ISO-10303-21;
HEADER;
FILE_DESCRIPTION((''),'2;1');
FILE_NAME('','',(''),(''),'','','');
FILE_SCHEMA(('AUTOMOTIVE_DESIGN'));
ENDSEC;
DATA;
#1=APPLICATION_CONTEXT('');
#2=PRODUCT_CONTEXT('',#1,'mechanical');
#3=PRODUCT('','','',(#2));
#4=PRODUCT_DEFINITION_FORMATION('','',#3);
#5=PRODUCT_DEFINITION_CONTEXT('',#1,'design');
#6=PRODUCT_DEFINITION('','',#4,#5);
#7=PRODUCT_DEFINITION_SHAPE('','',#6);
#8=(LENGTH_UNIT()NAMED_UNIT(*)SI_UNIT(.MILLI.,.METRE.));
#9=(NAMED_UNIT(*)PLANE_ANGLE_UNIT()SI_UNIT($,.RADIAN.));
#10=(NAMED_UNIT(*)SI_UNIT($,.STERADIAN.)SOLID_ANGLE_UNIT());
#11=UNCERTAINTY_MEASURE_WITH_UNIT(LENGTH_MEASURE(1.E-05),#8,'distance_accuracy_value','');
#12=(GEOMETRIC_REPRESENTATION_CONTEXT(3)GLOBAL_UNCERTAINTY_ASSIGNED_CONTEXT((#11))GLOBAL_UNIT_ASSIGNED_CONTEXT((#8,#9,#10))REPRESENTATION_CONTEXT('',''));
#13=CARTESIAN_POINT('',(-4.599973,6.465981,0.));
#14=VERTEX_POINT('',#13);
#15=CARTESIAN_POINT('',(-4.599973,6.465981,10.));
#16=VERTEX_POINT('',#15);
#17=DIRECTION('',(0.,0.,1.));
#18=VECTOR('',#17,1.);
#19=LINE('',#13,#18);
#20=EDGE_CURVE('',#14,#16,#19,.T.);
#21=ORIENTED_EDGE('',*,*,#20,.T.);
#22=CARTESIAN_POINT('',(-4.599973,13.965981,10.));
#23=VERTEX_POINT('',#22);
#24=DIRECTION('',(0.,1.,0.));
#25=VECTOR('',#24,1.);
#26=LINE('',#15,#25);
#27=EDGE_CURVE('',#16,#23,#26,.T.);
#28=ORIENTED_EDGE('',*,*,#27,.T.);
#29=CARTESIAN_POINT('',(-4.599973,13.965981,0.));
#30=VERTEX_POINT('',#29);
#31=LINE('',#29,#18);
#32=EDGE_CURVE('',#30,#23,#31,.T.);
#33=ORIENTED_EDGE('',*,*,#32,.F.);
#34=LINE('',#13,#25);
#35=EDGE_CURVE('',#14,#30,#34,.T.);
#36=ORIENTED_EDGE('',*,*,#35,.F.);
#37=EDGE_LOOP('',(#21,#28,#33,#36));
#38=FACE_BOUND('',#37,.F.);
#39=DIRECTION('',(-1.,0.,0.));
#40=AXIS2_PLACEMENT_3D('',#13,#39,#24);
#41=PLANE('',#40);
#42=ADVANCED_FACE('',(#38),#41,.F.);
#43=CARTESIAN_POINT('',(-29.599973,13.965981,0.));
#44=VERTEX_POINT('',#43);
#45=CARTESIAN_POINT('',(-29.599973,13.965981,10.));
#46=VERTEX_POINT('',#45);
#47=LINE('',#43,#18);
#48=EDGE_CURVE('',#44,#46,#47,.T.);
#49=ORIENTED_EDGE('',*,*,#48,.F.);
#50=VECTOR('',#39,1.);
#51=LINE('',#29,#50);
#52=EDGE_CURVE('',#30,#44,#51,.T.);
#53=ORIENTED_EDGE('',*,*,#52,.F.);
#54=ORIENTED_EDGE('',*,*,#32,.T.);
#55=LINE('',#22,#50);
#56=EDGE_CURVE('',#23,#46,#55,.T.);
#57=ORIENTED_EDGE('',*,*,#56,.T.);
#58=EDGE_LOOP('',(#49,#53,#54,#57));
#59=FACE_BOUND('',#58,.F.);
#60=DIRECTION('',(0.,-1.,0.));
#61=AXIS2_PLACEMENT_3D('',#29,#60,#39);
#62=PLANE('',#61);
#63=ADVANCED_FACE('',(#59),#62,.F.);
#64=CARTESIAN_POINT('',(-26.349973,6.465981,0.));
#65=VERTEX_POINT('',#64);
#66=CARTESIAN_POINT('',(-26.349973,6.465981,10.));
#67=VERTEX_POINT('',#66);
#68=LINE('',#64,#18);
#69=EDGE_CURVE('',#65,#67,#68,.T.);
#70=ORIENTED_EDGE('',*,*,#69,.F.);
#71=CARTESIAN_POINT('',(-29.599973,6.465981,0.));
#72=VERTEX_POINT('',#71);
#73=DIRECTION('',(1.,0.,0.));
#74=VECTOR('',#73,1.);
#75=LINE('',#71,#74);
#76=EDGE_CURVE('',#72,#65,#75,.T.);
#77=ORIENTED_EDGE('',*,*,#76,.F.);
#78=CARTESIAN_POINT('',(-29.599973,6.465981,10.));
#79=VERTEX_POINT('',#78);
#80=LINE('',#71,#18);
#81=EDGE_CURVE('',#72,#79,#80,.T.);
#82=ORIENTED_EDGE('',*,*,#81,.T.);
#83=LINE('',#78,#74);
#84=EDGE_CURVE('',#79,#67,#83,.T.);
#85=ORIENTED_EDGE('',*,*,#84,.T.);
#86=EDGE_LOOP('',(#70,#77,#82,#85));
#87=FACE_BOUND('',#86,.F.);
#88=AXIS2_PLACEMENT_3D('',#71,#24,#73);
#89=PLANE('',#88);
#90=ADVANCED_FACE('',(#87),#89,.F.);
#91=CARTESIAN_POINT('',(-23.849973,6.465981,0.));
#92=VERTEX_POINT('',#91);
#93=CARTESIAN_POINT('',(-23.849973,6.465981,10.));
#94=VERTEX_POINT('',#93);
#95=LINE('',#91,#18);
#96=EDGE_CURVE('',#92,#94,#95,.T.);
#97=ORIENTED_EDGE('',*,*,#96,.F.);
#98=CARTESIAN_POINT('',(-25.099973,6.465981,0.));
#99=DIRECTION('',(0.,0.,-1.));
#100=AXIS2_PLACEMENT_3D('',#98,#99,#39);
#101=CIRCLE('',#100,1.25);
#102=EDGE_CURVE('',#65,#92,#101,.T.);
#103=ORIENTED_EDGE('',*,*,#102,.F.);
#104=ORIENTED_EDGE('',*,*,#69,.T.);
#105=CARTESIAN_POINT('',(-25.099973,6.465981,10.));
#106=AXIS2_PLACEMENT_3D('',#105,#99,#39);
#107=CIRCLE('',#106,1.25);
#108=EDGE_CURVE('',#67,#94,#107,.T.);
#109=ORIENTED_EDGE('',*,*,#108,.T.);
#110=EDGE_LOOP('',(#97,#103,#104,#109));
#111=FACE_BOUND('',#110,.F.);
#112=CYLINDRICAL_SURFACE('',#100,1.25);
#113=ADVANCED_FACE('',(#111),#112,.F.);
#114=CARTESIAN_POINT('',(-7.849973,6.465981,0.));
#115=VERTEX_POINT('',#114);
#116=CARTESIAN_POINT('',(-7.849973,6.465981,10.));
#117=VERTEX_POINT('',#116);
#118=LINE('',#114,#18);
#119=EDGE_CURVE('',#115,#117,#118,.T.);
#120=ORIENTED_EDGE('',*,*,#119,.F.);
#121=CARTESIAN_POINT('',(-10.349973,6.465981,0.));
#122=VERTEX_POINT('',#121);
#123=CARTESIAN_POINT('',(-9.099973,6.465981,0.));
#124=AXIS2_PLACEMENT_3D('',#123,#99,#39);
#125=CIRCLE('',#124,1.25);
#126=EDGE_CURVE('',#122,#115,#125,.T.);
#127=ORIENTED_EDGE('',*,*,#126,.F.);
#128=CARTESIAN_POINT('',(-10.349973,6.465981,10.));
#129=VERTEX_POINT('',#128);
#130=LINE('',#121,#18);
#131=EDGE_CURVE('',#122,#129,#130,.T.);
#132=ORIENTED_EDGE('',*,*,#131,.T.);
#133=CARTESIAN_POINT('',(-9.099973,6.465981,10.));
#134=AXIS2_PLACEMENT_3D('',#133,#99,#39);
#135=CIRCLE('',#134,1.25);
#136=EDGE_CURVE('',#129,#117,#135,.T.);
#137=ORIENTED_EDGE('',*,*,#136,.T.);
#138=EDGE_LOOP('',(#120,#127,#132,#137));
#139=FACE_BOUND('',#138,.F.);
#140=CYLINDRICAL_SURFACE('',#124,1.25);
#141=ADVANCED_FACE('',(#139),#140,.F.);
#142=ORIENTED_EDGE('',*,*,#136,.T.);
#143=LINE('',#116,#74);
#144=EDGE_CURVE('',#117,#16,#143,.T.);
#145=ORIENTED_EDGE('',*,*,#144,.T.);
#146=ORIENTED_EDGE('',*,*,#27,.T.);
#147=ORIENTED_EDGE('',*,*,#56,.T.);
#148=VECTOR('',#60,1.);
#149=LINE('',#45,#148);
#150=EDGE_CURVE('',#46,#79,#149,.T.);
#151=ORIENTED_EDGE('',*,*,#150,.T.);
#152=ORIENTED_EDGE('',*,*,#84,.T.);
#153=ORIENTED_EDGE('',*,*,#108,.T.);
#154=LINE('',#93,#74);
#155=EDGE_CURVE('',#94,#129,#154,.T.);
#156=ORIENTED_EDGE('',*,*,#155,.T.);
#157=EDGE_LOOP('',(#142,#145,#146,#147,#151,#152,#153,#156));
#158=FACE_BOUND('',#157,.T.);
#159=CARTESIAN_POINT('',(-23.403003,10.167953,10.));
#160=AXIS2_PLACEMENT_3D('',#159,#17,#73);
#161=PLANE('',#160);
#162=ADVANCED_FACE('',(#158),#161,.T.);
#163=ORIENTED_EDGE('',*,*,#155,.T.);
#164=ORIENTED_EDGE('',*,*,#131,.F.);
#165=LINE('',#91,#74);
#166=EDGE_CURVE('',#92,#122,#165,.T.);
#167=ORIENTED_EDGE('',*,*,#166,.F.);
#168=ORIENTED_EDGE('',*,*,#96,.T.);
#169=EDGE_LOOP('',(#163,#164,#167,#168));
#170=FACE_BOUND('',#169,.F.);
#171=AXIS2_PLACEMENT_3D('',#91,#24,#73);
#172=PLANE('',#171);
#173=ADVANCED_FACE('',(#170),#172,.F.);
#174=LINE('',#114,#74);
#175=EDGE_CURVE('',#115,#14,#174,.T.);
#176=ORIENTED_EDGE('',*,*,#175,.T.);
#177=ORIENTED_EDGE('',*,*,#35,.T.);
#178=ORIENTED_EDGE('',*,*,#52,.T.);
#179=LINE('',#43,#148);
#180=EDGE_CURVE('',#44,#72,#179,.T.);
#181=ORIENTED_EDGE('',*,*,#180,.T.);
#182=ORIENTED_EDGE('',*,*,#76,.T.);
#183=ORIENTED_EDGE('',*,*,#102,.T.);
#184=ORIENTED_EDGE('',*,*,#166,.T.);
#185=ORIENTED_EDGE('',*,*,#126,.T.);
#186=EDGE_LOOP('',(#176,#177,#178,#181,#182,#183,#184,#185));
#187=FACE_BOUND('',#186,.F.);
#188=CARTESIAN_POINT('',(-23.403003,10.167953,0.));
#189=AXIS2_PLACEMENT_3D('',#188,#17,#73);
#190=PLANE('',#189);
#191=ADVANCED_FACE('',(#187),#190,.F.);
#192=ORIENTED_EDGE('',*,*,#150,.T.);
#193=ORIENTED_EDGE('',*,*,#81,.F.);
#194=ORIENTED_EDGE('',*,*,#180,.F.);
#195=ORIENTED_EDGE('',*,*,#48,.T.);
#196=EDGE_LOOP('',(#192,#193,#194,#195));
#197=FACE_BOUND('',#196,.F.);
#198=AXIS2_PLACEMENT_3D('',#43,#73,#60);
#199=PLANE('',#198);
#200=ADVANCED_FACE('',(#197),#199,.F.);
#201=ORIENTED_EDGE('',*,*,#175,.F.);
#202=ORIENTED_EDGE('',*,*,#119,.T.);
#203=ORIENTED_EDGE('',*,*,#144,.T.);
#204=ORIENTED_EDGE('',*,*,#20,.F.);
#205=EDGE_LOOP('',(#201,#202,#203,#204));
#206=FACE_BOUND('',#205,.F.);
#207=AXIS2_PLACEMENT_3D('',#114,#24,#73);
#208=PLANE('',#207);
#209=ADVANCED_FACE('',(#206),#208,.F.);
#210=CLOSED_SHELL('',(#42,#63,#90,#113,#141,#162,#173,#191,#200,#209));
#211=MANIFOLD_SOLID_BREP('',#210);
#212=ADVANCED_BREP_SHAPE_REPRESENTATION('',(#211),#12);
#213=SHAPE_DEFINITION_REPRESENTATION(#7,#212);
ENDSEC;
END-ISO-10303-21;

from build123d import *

# Parameters (mm, degrees)
F1_DEPTH = 10


with BuildPart() as f1:
    # F0 (on Top) → F1 (new body)
    with BuildSketch(Plane.XY):
        with BuildLine():
            Line((-17.0999729578, 13.9659811929), (-29.5999729578, 13.9659811929))
            Line((-29.5999729578, 13.9659811929), (-29.5999729578, 6.4659811929))
            Line((-29.5999729578, 6.4659811929), (-26.3499729578, 6.4659811929))
            ThreePointArc((-26.3499729578, 6.4659811929), (-25.0999729578, 7.7159811929), (-23.8499729578, 6.4659811929))
            Line((-23.8499729578, 6.4659811929), (-17.0999729578, 6.4659811929))
            Line((-17.0999729578, 6.4659811929), (-17.0999729578, 13.9659811929))
        make_face()
        with BuildLine():
            Line((-4.5999729578, 13.9659811929), (-17.0999729578, 13.9659811929))
            Line((-17.0999729578, 13.9659811929), (-17.0999729578, 6.4659811929))
            Line((-17.0999729578, 6.4659811929), (-10.3499729578, 6.4659811929))
            ThreePointArc((-10.3499729578, 6.4659811929), (-9.0999729578, 7.7159811929), (-7.8499729578, 6.4659811929))
            Line((-7.8499729578, 6.4659811929), (-4.5999729578, 6.4659811929))
            Line((-4.5999729578, 6.4659811929), (-4.5999729578, 13.9659811929))
        make_face()
    extrude(amount=F1_DEPTH)


solid = f1.part
